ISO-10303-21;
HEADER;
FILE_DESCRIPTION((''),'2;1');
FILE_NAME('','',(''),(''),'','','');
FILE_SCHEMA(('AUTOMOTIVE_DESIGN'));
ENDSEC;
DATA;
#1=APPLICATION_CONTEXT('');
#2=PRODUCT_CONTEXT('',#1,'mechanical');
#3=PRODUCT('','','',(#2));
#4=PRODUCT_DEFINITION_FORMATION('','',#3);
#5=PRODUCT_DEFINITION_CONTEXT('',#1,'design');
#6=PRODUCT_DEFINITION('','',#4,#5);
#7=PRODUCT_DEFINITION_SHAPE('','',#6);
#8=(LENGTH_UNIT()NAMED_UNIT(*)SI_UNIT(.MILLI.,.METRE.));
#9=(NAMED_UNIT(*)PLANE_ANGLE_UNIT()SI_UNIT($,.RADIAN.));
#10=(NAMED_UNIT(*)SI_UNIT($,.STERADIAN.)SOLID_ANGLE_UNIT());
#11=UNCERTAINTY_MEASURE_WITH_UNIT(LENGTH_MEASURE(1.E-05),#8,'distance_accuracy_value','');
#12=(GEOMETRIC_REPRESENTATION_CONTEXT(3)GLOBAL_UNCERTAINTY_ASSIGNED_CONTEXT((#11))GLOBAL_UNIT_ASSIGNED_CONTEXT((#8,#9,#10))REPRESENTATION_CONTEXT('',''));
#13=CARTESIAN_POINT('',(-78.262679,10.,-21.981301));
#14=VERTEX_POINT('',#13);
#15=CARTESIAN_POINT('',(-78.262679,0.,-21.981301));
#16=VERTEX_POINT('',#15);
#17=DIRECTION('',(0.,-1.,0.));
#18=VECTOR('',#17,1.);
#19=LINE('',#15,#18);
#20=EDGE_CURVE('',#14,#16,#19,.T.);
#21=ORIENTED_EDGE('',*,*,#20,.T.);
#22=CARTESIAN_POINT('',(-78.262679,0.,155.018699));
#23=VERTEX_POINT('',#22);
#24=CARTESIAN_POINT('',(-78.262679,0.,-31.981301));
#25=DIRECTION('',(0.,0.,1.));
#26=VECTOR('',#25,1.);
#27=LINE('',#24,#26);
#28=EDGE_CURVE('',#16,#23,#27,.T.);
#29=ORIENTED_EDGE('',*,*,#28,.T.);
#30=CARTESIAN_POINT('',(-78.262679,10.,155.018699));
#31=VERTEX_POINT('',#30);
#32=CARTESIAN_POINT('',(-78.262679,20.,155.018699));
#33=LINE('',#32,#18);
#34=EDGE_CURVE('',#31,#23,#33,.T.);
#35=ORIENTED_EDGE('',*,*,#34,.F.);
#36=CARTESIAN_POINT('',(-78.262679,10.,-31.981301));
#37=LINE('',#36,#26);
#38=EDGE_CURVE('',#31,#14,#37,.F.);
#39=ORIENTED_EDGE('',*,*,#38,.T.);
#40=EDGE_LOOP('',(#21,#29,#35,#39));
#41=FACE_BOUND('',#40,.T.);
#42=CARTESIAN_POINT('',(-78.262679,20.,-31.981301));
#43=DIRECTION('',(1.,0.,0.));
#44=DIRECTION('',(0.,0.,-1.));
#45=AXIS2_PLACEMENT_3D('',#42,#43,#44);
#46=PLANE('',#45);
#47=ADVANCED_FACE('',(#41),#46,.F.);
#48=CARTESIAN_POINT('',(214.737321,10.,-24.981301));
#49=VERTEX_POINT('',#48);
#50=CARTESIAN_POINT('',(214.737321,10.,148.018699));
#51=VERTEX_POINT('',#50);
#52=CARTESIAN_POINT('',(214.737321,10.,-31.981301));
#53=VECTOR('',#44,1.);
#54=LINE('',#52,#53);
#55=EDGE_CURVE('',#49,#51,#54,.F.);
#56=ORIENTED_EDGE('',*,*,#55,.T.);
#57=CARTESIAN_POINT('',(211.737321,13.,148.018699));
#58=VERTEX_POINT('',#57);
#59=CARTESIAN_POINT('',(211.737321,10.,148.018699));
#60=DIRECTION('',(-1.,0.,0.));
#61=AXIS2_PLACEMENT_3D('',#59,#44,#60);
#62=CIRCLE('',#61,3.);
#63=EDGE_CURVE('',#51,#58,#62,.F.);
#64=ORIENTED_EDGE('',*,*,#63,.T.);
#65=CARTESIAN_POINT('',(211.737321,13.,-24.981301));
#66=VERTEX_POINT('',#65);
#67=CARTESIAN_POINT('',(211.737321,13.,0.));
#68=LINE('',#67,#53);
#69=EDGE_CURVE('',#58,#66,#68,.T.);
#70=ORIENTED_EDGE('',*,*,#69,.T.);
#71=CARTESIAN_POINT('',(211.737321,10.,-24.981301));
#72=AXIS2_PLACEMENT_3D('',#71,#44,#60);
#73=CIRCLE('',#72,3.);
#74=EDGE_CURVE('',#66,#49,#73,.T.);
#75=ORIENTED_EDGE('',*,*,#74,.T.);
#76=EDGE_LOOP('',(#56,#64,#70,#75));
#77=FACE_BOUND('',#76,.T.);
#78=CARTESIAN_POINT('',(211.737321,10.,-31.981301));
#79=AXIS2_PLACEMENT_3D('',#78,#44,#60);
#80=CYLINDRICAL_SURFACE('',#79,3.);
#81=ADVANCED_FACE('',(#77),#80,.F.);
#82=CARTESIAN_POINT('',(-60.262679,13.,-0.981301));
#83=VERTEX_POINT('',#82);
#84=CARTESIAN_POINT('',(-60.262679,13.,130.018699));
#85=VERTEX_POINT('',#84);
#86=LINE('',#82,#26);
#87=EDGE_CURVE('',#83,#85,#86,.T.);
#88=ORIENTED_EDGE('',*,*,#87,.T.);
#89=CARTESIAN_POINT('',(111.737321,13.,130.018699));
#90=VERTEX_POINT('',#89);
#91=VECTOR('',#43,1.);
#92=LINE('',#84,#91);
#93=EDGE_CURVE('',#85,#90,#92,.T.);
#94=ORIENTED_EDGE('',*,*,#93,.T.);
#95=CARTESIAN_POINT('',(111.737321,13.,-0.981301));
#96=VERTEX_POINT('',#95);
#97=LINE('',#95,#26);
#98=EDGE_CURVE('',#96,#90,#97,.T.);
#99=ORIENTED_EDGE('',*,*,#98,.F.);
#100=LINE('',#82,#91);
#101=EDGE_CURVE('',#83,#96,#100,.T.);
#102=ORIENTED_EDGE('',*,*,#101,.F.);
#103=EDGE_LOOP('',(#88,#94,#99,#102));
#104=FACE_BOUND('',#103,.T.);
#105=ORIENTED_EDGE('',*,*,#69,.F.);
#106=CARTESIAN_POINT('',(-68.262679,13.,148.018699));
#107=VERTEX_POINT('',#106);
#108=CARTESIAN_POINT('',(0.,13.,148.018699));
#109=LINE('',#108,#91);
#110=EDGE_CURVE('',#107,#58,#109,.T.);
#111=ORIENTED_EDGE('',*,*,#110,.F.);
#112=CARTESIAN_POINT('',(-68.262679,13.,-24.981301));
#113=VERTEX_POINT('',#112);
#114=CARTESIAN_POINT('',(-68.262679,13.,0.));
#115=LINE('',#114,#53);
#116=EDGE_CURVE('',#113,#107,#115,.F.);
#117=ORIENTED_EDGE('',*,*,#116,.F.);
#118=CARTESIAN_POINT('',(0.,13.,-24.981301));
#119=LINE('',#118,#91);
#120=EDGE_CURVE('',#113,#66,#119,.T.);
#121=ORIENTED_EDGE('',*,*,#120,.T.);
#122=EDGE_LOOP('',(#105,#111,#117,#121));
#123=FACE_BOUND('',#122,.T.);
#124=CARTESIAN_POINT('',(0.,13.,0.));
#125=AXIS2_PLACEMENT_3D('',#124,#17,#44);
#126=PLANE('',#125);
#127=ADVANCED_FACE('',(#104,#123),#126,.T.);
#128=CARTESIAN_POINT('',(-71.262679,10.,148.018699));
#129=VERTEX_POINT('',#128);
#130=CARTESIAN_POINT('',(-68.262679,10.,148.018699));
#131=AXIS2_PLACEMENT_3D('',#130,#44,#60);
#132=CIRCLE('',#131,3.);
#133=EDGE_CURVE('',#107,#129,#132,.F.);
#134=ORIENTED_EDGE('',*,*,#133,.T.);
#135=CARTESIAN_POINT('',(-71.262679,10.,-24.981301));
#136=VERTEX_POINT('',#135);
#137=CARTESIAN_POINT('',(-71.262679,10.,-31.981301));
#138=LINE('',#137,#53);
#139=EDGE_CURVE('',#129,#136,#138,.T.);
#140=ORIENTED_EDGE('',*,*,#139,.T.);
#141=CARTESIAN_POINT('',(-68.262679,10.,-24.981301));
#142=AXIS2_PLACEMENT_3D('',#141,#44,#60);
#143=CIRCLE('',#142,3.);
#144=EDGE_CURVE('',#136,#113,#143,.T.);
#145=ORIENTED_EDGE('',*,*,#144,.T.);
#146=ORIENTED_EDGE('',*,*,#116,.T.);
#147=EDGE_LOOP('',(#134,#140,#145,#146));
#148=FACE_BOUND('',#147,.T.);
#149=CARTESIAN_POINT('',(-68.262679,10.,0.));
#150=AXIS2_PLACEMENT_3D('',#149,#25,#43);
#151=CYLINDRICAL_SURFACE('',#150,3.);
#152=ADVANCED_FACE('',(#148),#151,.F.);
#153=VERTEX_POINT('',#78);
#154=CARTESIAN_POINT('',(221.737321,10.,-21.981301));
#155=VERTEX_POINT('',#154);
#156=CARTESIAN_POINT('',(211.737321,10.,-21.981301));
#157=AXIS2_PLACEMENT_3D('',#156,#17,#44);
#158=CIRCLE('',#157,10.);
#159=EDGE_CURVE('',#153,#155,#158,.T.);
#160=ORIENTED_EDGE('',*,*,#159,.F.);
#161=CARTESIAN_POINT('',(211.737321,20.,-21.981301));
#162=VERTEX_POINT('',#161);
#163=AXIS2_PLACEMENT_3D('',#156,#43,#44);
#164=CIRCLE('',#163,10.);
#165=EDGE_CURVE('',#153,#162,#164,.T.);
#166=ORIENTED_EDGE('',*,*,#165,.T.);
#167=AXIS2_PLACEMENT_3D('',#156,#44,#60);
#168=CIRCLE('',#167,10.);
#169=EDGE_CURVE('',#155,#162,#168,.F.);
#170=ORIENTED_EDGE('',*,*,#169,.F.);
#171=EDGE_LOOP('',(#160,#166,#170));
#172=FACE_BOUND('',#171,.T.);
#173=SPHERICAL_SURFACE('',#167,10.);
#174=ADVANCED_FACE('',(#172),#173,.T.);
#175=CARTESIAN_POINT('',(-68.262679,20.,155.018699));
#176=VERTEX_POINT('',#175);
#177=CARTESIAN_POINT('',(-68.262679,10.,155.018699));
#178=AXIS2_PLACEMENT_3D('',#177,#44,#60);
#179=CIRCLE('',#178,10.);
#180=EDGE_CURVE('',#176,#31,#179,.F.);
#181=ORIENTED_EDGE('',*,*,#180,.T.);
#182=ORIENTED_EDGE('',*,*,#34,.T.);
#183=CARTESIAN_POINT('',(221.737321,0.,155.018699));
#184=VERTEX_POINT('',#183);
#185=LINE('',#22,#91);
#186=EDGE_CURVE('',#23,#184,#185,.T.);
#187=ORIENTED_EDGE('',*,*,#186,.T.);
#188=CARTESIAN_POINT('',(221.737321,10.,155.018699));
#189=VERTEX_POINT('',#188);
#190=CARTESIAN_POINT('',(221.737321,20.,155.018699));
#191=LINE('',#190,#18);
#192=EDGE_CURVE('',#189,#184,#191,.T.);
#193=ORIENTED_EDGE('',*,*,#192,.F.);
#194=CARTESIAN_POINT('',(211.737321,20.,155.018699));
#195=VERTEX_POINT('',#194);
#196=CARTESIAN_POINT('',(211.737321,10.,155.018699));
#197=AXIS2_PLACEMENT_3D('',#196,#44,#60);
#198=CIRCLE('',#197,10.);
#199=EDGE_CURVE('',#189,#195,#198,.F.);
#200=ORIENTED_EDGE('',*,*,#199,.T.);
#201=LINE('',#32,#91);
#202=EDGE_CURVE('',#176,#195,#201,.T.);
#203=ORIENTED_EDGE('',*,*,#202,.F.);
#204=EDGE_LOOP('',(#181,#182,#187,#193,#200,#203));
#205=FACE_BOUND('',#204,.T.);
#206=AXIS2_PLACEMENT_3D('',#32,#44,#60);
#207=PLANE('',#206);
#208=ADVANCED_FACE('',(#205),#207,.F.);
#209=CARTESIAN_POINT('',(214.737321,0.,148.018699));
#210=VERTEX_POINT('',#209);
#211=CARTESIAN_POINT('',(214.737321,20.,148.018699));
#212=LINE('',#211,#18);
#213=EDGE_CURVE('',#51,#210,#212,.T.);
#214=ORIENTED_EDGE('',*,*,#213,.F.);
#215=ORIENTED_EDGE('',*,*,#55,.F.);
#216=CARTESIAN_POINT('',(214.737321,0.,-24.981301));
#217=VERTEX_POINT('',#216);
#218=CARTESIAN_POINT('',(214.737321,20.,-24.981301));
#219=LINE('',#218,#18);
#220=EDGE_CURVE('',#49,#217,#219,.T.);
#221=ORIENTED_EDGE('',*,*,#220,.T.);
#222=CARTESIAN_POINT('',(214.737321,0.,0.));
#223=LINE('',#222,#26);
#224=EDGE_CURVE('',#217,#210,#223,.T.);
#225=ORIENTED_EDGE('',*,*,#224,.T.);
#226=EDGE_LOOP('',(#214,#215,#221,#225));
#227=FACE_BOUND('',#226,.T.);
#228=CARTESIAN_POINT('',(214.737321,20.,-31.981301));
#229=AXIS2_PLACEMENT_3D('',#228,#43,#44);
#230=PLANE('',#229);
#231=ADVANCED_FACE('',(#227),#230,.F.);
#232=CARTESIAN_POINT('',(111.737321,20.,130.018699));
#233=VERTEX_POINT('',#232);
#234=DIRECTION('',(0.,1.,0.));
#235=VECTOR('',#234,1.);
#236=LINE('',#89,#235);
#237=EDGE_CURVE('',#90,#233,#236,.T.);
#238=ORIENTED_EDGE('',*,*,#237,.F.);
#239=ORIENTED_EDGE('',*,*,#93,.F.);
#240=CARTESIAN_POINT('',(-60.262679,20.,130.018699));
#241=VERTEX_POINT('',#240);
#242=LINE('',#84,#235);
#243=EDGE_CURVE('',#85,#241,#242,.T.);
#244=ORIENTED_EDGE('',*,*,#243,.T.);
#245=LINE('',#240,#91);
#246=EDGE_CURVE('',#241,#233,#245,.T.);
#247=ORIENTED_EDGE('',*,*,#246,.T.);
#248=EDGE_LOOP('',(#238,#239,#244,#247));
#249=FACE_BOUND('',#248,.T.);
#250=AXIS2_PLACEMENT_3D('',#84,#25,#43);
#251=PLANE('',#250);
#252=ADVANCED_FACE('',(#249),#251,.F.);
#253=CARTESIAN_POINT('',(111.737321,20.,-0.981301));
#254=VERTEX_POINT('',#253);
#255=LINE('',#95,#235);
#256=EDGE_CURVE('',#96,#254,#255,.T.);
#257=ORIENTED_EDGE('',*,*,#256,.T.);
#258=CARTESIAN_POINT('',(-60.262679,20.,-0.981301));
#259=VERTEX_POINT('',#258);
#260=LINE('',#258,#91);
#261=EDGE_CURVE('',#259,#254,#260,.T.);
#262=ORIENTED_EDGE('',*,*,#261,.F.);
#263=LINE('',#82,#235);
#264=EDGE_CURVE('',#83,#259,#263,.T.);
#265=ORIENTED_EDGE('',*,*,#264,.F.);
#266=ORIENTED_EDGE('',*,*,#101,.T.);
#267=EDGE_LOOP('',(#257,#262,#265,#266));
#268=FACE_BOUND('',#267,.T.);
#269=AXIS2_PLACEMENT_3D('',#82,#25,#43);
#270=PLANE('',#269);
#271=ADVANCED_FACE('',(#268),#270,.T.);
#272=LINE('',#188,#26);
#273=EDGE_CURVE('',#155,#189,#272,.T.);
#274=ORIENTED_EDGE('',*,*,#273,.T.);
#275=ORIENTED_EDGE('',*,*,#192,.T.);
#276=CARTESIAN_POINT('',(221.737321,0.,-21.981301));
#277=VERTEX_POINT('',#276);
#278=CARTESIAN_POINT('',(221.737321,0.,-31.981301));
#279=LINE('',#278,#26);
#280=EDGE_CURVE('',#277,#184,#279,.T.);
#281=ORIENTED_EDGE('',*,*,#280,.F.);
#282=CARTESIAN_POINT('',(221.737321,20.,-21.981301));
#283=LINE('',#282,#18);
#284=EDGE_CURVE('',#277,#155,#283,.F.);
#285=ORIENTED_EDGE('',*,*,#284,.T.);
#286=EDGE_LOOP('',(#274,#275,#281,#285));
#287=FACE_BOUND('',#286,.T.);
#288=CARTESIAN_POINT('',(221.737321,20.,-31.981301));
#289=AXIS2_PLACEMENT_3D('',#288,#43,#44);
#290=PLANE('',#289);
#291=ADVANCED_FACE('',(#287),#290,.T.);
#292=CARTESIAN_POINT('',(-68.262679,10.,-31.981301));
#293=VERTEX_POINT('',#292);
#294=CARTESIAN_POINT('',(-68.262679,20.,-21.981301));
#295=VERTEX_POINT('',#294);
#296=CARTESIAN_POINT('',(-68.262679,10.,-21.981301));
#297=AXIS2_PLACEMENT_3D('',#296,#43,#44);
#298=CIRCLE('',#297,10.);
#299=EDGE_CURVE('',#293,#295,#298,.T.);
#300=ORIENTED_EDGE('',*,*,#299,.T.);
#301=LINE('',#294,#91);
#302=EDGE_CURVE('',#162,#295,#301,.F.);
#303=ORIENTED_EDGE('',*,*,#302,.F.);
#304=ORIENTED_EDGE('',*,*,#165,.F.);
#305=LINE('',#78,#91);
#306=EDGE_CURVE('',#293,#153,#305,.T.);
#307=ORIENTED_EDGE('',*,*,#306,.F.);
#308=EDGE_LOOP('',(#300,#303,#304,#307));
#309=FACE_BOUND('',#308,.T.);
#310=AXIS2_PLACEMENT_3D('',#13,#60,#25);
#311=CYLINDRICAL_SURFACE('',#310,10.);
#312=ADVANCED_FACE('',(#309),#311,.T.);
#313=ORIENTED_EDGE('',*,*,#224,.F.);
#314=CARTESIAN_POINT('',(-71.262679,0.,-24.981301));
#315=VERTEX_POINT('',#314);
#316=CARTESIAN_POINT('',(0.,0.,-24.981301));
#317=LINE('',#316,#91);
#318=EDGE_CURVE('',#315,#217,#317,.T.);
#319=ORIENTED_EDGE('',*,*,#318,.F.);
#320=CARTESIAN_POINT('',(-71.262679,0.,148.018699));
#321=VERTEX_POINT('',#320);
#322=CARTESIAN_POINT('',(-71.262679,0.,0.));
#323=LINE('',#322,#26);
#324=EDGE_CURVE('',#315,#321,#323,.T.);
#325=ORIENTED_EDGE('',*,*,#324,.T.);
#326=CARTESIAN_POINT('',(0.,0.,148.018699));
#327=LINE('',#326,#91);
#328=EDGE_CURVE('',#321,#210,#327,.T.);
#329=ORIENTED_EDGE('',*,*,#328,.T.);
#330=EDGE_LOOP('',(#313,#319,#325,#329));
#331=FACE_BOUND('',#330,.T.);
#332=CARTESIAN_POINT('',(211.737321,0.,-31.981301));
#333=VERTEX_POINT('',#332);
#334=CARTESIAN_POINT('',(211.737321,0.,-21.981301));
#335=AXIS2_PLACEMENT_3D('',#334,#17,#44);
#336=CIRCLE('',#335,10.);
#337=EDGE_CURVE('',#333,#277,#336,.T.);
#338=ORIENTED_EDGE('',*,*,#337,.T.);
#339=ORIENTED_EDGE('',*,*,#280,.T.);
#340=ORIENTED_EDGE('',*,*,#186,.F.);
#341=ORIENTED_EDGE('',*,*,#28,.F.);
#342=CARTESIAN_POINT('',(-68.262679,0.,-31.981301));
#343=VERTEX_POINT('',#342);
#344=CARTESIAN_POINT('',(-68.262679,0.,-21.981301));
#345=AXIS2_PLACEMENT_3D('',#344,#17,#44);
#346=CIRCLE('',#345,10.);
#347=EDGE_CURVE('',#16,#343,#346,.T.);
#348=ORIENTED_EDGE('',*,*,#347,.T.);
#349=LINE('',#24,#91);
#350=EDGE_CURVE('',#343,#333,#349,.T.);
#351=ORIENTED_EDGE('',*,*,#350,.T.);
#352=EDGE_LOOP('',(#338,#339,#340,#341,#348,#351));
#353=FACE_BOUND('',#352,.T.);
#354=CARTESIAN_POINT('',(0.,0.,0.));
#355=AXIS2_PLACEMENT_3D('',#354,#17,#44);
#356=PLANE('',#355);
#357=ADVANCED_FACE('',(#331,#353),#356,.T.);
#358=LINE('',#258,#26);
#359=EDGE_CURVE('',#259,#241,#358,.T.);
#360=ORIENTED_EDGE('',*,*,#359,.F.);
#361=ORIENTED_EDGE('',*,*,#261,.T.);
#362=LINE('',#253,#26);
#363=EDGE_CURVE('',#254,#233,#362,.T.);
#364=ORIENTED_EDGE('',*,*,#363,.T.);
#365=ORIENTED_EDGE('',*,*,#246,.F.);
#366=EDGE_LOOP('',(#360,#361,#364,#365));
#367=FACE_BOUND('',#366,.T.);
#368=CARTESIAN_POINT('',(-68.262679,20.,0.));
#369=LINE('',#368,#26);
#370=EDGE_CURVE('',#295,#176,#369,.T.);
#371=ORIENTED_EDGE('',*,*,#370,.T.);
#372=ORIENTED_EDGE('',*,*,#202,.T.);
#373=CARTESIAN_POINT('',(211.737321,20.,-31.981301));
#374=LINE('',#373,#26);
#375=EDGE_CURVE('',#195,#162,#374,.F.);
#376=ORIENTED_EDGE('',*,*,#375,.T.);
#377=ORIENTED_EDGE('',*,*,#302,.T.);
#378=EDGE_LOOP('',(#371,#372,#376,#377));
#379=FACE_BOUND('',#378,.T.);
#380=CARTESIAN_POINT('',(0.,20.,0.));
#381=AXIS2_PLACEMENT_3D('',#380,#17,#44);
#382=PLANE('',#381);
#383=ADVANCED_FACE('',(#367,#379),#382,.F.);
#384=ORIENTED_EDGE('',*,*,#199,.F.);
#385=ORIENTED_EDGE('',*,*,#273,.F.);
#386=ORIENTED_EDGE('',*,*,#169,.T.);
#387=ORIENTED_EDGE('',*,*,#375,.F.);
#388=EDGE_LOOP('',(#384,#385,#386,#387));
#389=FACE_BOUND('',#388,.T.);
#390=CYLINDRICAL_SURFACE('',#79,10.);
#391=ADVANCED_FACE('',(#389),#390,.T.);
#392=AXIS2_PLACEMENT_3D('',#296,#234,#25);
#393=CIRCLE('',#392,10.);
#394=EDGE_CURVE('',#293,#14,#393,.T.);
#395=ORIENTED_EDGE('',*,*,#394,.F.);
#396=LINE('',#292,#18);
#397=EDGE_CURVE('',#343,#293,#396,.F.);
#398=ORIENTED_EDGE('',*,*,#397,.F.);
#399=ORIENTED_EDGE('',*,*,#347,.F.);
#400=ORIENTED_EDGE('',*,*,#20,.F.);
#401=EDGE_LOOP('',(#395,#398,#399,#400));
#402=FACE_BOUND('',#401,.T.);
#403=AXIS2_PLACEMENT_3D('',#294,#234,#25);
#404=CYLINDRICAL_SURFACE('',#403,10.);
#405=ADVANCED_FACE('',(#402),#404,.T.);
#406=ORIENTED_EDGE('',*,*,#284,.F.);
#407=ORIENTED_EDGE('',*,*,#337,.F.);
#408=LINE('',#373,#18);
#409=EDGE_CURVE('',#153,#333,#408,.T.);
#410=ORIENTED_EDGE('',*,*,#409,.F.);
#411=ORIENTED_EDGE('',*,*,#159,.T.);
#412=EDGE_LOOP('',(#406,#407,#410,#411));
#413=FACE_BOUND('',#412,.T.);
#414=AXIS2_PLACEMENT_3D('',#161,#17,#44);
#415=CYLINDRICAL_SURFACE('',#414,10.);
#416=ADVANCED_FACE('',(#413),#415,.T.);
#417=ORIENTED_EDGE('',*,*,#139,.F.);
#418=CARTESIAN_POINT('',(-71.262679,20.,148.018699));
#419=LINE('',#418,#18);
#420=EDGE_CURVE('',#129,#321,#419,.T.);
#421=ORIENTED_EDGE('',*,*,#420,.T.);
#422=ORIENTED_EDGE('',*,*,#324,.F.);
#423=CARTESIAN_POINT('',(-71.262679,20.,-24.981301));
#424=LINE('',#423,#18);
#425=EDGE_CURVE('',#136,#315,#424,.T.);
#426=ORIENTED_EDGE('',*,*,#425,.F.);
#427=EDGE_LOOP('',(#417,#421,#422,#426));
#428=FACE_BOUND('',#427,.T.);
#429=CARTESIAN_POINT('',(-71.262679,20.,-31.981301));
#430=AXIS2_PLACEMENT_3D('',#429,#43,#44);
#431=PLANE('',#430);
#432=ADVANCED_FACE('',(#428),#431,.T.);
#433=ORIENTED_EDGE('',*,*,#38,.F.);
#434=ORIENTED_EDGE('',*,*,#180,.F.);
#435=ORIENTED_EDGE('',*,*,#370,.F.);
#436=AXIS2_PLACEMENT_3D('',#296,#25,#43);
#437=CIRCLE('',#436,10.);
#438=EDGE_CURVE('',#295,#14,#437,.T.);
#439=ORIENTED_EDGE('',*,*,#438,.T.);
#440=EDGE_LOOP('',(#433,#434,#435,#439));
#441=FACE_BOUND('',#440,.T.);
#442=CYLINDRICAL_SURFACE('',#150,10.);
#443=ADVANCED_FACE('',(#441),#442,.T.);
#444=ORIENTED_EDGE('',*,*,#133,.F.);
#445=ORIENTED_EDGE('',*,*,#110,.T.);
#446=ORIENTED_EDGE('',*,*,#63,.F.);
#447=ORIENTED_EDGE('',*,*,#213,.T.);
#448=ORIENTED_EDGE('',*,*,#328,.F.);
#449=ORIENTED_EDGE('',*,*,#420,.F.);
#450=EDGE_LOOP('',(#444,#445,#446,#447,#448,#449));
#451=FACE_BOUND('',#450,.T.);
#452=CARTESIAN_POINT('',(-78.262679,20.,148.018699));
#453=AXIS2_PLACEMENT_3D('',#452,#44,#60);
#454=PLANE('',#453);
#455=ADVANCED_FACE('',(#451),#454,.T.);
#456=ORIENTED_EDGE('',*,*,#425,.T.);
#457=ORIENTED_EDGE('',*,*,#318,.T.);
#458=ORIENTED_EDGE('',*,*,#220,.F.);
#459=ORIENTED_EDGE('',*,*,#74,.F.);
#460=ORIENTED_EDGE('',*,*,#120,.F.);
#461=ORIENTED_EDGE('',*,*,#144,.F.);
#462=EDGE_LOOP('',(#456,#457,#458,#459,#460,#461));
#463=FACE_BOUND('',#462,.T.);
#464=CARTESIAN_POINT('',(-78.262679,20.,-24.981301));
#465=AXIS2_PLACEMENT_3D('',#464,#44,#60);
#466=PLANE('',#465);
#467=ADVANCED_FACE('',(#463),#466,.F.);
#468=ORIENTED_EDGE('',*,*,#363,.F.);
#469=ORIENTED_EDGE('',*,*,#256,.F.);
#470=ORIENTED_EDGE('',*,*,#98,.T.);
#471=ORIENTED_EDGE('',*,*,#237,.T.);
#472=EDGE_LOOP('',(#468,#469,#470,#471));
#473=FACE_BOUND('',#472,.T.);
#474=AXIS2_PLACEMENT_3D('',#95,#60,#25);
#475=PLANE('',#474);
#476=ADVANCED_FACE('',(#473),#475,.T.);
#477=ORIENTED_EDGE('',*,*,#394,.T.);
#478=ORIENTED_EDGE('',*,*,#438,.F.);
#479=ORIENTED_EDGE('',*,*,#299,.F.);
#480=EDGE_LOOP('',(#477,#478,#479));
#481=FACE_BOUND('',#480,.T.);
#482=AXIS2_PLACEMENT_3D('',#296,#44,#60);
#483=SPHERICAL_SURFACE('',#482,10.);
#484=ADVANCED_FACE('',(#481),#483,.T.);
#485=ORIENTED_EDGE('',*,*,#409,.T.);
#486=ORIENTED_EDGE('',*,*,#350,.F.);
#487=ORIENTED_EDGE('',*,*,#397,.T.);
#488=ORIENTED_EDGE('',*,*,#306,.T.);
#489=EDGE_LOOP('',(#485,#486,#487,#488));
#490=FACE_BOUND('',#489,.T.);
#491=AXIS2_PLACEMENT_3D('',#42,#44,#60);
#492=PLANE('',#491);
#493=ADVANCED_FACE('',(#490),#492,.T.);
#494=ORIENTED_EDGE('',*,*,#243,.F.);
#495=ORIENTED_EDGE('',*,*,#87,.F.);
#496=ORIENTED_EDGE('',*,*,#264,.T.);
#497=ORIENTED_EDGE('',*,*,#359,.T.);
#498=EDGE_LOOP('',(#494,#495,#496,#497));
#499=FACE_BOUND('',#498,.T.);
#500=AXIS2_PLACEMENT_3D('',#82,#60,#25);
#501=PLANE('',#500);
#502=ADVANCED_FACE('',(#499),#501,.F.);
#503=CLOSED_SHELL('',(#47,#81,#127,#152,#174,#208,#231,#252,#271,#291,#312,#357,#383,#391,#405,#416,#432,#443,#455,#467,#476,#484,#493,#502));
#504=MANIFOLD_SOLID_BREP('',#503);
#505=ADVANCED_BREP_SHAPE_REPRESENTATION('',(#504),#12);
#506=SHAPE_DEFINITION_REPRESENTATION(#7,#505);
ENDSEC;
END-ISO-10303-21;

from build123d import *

# Parameters (mm, degrees)
SKETCH1_W           = 300
SKETCH1_H           = 187
BOSS_EXTRUDE1_DEPTH = 20
FILLET1_R           = 10
FILLET2_R           = 10
SHELL2_T            = -7
SKETCH2_W           = 172
SKETCH2_H           = 131
CUT_EXTRUDE2_DEPTH  = 7
FILLET3_R           = 10


with BuildPart() as part:
    # Sketch1 → Boss-Extrude1 (new body)
    with BuildSketch(Plane(origin=(0, 0, 0), x_dir=(1, 0, 0), z_dir=(0, 1, 0))):
        with Locations((71.737321437, -61.518699121)):
            Rectangle(SKETCH1_W, SKETCH1_H)
    extrude(amount=BOSS_EXTRUDE1_DEPTH)

    # Fillet1
    fillet1_edges = [part.edges().sort_by_distance(p)[0] for p in [
        (-78.262678563, 20, 61.518699121),
    ]]
    fillet(fillet1_edges, radius=FILLET1_R)

    # Fillet2
    fillet2_edges = [part.edges().sort_by_distance(p)[0] for p in [
        (221.737321437, 20, 61.518699121),
    ]]
    fillet(fillet2_edges, radius=FILLET2_R)

    # Shell2
    shell2_openings = [part.faces().sort_by_distance(p)[0] for p in [
        (71.737321437, 0, 61.518699121),
    ]]
    offset(amount=SHELL2_T, openings=shell2_openings, kind=Kind.INTERSECTION)

    # Sketch2 → Cut-Extrude2 (cut)
    with BuildSketch(Plane(origin=(0, 20, 0), x_dir=(1, 0, 0), z_dir=(0, 1, 0))):
        with Locations((25.737321437, -64.518699121)):
            Rectangle(SKETCH2_W, SKETCH2_H)
    extrude(amount=-CUT_EXTRUDE2_DEPTH, mode=Mode.SUBTRACT)

    # Fillet3
    fillet3_edges = [part.edges().sort_by_distance(p)[0] for p in [
        (71.737321437, 20, -31.981300879),
        (-78.262678563, 5, -31.981300879),
        (-75.333746375, 17.071067812, -31.981300879),
        (221.737321437, 5, -31.981300879),
        (218.808389249, 17.071067812, -31.981300879),
    ]]
    fillet(fillet3_edges, radius=FILLET3_R)


solid = part.part
